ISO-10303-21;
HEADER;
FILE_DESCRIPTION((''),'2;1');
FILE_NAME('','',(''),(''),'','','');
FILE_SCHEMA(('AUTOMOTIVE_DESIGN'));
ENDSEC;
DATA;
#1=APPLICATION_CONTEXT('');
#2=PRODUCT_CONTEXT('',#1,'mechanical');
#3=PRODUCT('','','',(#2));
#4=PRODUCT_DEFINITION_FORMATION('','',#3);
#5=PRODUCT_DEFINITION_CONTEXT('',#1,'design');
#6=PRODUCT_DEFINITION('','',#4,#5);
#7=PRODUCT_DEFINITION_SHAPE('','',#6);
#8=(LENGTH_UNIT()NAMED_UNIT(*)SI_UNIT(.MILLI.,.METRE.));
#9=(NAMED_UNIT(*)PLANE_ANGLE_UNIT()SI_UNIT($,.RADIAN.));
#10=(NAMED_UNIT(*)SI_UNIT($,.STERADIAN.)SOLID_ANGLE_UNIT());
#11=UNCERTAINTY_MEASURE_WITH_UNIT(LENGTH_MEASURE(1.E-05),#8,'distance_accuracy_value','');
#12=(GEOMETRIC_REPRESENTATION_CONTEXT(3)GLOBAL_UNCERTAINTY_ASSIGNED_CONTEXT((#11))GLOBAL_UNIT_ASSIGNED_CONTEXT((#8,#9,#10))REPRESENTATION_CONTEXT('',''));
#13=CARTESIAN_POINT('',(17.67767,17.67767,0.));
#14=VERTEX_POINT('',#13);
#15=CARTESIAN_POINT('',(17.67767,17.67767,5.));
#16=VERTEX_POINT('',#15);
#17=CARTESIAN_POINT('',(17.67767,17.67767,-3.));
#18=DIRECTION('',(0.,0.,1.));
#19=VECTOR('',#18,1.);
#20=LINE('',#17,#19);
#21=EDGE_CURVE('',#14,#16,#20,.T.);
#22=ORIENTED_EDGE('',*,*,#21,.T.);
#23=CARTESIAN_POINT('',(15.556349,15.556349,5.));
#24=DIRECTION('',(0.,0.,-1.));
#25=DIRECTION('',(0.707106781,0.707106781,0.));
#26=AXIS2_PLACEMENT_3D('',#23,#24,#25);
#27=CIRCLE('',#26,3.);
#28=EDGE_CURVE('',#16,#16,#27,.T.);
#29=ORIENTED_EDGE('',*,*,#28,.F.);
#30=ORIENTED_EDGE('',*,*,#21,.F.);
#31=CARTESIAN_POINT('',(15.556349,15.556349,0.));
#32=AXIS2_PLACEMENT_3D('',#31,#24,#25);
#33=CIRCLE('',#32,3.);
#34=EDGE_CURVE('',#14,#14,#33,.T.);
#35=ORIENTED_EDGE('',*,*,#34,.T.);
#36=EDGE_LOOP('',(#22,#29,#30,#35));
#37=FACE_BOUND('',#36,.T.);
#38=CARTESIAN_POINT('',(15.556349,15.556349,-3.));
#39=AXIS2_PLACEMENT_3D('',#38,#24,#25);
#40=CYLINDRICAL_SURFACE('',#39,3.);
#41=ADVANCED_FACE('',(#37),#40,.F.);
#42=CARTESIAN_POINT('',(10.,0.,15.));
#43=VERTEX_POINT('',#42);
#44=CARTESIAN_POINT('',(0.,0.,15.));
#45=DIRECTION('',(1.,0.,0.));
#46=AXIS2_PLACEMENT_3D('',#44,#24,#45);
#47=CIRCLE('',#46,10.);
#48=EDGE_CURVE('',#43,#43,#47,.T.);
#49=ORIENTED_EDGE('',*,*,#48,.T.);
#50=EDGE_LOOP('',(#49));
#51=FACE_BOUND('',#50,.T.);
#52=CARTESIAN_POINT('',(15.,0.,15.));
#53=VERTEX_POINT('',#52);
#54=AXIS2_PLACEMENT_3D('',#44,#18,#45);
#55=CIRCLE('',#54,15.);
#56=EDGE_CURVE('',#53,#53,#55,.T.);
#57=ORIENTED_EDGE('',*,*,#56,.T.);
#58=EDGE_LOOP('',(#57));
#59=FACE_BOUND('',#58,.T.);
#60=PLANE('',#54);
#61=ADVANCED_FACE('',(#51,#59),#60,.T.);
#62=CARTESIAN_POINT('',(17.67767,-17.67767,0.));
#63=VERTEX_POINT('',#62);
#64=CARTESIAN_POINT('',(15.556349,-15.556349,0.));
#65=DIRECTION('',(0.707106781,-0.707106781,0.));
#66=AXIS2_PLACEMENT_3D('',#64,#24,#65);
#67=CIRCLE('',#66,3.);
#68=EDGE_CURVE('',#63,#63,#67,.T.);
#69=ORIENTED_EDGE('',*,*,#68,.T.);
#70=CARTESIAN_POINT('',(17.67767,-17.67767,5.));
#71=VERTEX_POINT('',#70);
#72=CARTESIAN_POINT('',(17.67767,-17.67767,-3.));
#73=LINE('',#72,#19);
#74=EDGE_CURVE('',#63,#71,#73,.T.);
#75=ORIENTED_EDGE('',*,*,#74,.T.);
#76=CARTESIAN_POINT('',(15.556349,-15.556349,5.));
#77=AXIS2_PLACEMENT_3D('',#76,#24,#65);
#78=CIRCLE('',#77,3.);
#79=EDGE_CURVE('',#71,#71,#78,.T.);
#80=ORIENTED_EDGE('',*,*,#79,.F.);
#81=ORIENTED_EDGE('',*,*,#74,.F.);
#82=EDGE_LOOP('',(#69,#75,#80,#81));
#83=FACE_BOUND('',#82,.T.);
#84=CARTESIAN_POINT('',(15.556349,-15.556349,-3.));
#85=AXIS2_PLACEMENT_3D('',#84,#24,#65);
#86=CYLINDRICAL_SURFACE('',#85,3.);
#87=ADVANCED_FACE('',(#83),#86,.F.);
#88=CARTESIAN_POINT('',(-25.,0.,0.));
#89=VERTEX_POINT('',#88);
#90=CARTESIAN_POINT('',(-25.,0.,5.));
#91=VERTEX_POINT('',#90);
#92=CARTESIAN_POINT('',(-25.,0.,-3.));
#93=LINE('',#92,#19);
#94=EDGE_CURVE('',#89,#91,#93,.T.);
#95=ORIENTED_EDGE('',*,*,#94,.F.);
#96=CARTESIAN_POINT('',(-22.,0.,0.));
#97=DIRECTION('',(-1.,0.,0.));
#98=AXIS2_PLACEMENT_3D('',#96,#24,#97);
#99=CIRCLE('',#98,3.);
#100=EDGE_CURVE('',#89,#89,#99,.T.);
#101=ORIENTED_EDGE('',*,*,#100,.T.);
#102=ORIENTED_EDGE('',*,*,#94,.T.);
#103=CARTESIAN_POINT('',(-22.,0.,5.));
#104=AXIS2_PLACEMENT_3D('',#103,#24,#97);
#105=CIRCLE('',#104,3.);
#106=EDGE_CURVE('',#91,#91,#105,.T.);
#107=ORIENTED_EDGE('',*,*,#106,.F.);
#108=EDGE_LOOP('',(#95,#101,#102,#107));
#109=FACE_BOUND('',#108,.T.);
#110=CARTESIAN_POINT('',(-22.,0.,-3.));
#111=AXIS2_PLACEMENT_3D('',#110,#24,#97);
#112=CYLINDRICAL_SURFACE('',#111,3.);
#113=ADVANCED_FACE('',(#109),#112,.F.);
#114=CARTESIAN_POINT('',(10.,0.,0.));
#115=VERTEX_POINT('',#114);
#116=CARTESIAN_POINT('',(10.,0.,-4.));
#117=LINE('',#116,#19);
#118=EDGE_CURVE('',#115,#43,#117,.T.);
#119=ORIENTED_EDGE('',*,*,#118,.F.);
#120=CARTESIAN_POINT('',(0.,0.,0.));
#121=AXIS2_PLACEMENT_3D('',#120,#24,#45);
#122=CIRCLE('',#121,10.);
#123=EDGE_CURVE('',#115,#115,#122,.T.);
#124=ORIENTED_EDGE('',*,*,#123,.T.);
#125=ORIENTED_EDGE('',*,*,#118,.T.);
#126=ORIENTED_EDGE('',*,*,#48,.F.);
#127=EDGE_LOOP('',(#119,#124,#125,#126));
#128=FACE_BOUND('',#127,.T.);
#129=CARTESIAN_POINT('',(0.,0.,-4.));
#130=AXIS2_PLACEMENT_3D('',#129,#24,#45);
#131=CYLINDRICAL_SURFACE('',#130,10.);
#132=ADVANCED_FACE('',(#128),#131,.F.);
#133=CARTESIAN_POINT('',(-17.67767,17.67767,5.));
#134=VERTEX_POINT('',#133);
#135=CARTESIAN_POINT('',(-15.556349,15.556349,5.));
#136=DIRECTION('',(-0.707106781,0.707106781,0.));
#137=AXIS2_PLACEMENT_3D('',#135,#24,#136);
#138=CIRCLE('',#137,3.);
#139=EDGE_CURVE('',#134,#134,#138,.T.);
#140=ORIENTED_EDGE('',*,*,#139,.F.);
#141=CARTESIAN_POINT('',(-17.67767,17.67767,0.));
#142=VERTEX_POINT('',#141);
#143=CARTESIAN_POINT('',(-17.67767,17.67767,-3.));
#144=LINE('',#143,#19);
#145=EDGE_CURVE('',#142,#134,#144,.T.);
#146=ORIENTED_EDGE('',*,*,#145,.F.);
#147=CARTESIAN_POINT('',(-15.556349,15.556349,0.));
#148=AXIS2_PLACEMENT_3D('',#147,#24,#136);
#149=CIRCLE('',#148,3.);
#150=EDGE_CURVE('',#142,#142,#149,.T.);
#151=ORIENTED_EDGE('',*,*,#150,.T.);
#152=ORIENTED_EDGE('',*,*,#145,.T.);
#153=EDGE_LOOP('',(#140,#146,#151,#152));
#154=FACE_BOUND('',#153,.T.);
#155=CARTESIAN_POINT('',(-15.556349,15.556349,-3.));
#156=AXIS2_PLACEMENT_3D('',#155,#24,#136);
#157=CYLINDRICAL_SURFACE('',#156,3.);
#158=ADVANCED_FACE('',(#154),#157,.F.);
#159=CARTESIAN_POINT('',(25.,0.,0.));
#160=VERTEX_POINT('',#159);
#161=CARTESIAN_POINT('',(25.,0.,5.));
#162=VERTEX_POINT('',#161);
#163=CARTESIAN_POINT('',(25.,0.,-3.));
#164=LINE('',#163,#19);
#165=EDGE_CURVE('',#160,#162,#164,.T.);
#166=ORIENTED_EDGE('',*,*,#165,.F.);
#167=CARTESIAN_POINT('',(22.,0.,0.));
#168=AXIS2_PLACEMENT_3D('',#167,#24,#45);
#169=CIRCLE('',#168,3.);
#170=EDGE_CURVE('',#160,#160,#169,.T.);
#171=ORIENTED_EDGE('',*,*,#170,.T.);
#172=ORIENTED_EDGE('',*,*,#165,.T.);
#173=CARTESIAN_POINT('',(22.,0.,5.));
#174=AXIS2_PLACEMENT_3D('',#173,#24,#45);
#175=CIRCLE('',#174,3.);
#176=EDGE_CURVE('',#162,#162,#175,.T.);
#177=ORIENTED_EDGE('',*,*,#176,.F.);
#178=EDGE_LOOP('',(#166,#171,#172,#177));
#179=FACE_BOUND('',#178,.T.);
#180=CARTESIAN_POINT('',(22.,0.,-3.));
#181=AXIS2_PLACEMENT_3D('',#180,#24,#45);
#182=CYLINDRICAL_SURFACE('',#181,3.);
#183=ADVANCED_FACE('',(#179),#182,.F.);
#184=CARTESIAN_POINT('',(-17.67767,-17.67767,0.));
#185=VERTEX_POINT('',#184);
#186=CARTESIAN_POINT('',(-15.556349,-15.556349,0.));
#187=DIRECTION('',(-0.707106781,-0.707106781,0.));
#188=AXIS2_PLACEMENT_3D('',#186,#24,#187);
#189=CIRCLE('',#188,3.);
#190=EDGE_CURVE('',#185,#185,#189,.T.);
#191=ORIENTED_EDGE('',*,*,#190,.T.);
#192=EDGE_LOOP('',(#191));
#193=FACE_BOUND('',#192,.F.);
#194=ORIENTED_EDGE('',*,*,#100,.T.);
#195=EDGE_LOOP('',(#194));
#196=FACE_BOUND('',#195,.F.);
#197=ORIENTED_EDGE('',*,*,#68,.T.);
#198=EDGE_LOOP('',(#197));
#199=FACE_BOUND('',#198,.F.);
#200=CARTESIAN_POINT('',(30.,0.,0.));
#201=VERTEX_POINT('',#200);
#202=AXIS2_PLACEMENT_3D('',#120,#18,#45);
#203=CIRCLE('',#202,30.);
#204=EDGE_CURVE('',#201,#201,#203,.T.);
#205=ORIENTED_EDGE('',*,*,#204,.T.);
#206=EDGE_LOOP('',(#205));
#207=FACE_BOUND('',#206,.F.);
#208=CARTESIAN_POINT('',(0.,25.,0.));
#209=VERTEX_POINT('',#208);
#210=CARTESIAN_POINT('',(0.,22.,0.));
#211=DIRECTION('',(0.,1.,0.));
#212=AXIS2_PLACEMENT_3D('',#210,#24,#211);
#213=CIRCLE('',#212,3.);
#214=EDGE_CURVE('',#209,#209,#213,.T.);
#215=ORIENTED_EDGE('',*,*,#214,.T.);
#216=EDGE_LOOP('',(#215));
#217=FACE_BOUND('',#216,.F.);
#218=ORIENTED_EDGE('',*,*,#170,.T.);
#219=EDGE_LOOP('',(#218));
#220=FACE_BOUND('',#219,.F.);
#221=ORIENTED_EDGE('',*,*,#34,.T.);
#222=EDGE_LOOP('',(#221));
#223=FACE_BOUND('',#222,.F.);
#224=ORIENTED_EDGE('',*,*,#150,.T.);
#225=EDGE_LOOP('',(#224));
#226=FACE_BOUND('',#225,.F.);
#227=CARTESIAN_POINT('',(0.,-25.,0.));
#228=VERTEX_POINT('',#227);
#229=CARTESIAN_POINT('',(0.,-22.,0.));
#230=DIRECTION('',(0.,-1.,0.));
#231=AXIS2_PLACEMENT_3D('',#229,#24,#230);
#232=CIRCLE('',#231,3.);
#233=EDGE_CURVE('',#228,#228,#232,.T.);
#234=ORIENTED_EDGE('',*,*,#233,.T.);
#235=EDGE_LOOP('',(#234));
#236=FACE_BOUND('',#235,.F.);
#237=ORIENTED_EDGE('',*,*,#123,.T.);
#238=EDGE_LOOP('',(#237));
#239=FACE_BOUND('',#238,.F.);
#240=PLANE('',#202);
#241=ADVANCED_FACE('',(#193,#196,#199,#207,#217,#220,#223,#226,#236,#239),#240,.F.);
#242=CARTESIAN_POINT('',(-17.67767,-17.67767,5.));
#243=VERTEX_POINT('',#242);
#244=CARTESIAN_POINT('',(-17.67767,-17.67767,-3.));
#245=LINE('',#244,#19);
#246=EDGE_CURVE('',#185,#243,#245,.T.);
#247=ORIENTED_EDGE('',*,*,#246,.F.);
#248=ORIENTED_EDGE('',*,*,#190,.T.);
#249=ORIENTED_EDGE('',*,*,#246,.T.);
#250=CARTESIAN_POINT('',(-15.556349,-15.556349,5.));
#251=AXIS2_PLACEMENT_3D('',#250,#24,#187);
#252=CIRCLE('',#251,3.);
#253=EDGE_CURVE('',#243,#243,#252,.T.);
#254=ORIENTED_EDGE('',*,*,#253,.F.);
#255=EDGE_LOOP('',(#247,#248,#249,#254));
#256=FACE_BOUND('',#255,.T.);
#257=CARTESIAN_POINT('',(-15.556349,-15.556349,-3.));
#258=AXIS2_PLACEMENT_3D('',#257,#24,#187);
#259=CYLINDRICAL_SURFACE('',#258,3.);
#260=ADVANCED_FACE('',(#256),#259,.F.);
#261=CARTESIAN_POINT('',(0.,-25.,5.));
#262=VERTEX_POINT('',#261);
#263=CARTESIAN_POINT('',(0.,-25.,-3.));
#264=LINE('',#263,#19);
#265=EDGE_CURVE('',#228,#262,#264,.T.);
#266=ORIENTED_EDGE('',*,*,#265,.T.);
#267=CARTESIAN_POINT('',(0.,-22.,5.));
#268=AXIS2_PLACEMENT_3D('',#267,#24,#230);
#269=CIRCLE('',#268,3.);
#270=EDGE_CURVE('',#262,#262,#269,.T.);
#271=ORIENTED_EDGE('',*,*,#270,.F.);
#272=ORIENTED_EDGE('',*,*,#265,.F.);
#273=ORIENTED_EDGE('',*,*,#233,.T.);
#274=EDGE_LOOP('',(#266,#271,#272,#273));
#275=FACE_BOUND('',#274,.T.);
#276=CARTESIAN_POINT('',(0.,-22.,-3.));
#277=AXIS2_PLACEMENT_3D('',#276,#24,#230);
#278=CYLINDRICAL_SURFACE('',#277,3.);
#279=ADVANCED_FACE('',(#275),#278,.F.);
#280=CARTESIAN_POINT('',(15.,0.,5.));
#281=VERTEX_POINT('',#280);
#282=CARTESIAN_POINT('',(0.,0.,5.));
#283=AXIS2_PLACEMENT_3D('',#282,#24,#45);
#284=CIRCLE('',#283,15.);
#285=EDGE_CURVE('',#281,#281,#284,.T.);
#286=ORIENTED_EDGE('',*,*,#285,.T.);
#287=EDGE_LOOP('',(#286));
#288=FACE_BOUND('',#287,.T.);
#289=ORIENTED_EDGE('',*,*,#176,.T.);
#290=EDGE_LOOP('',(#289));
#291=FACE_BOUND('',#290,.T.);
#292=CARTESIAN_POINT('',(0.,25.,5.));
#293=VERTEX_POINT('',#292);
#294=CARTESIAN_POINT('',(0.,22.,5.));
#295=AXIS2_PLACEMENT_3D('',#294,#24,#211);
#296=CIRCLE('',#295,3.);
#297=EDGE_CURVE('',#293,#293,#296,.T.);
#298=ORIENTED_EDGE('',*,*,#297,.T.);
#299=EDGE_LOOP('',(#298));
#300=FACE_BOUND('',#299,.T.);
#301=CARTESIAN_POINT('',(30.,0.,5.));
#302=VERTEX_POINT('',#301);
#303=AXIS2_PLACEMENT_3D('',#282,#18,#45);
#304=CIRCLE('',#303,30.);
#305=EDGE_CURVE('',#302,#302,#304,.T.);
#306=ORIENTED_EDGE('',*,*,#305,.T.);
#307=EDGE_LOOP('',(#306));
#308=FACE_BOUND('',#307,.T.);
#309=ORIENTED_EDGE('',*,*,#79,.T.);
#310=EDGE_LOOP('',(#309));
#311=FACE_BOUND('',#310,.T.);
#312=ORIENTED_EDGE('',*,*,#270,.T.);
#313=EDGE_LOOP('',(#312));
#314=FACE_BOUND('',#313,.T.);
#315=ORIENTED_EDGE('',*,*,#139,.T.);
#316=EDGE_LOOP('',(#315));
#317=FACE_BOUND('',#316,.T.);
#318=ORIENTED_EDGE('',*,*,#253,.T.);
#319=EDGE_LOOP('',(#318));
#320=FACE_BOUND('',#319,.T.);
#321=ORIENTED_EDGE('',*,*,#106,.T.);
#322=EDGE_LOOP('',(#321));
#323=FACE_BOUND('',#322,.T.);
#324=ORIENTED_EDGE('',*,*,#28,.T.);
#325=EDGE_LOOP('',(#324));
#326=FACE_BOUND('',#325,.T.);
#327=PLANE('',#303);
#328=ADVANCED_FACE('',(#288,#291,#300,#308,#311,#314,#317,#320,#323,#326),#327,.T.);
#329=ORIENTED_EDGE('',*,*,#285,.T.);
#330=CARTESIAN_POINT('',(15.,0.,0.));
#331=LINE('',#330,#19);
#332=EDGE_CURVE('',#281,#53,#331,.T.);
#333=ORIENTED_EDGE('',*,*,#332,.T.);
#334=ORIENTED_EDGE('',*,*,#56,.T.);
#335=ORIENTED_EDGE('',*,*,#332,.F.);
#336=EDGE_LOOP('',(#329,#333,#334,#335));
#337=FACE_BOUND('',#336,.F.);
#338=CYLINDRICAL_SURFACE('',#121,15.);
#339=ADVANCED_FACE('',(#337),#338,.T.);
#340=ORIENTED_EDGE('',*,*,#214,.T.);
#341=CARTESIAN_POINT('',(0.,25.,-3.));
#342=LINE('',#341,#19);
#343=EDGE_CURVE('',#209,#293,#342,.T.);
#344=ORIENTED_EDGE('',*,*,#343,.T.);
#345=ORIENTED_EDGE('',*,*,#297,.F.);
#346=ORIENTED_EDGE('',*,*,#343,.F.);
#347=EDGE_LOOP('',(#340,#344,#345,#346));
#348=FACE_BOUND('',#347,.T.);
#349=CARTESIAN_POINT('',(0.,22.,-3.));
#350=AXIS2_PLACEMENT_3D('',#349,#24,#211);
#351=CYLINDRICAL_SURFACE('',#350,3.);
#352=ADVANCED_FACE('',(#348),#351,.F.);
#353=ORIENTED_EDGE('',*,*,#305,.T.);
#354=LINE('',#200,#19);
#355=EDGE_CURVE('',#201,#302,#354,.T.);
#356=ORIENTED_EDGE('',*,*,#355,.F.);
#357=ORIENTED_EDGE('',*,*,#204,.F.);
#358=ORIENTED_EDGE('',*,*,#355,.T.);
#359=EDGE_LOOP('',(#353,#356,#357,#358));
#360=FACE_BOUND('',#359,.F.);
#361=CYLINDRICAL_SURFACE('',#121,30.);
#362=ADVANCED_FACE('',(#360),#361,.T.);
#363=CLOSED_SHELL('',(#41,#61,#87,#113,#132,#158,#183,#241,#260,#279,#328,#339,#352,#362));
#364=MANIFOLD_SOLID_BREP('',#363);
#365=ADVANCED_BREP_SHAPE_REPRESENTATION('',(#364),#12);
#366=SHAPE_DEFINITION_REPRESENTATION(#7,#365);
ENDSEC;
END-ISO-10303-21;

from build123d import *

# Parameters (mm, degrees)
CYLINDER003_R     = 3
CYLINDER003_DEPTH = 10
ARRAY001_COUNT    = 8
CYLINDER002_R     = 10
CYLINDER002_DEPTH = 30
CYLINDER001_R     = 15
CYLINDER001_DEPTH = 15
CYLINDER_R        = 30
CYLINDER_DEPTH    = 5


with BuildPart() as array001:
    # Cylinder003 → Cylinder003 (new body)
    with BuildSketch(Plane(origin=(22, 0, -3), x_dir=(1, 0, 0), z_dir=(0, 0, 1))):
        Circle(CYLINDER003_R)
    extrude(amount=CYLINDER003_DEPTH)

    # Array001: Array001 ×8 about axis
    array001_axis = Axis((0, 0, 0), (0, 0, 1))


with BuildPart() as array001_1:
    add(array001.part)
    for i in range(1, ARRAY001_COUNT):
        add(array001.part.rotate(array001_axis, i * 360 / ARRAY001_COUNT))


with BuildPart() as cilindre002:
    # Cylinder002 → Cylinder002 (new body)
    with BuildSketch(Plane.XY.offset(-4)):
        Circle(CYLINDER002_R)
    extrude(amount=CYLINDER002_DEPTH)


with BuildPart() as cilindre001:
    # Cylinder001 → Cylinder001 (new body)
    with BuildSketch(Plane.XY):
        Circle(CYLINDER001_R)
    extrude(amount=CYLINDER001_DEPTH)


with BuildPart() as cut001:
    # Cylinder → Cylinder (new body)
    with BuildSketch(Plane.XY):
        Circle(CYLINDER_R)
    extrude(amount=CYLINDER_DEPTH)

    # Fusion: union Cilindre001
    add(cilindre001.part)

    # Cut: cut Cilindre002
    add(cilindre002.part, mode=Mode.SUBTRACT)

    # Cut001: cut Array001
    add(array001_1.part, mode=Mode.SUBTRACT)


solid = cut001.part
